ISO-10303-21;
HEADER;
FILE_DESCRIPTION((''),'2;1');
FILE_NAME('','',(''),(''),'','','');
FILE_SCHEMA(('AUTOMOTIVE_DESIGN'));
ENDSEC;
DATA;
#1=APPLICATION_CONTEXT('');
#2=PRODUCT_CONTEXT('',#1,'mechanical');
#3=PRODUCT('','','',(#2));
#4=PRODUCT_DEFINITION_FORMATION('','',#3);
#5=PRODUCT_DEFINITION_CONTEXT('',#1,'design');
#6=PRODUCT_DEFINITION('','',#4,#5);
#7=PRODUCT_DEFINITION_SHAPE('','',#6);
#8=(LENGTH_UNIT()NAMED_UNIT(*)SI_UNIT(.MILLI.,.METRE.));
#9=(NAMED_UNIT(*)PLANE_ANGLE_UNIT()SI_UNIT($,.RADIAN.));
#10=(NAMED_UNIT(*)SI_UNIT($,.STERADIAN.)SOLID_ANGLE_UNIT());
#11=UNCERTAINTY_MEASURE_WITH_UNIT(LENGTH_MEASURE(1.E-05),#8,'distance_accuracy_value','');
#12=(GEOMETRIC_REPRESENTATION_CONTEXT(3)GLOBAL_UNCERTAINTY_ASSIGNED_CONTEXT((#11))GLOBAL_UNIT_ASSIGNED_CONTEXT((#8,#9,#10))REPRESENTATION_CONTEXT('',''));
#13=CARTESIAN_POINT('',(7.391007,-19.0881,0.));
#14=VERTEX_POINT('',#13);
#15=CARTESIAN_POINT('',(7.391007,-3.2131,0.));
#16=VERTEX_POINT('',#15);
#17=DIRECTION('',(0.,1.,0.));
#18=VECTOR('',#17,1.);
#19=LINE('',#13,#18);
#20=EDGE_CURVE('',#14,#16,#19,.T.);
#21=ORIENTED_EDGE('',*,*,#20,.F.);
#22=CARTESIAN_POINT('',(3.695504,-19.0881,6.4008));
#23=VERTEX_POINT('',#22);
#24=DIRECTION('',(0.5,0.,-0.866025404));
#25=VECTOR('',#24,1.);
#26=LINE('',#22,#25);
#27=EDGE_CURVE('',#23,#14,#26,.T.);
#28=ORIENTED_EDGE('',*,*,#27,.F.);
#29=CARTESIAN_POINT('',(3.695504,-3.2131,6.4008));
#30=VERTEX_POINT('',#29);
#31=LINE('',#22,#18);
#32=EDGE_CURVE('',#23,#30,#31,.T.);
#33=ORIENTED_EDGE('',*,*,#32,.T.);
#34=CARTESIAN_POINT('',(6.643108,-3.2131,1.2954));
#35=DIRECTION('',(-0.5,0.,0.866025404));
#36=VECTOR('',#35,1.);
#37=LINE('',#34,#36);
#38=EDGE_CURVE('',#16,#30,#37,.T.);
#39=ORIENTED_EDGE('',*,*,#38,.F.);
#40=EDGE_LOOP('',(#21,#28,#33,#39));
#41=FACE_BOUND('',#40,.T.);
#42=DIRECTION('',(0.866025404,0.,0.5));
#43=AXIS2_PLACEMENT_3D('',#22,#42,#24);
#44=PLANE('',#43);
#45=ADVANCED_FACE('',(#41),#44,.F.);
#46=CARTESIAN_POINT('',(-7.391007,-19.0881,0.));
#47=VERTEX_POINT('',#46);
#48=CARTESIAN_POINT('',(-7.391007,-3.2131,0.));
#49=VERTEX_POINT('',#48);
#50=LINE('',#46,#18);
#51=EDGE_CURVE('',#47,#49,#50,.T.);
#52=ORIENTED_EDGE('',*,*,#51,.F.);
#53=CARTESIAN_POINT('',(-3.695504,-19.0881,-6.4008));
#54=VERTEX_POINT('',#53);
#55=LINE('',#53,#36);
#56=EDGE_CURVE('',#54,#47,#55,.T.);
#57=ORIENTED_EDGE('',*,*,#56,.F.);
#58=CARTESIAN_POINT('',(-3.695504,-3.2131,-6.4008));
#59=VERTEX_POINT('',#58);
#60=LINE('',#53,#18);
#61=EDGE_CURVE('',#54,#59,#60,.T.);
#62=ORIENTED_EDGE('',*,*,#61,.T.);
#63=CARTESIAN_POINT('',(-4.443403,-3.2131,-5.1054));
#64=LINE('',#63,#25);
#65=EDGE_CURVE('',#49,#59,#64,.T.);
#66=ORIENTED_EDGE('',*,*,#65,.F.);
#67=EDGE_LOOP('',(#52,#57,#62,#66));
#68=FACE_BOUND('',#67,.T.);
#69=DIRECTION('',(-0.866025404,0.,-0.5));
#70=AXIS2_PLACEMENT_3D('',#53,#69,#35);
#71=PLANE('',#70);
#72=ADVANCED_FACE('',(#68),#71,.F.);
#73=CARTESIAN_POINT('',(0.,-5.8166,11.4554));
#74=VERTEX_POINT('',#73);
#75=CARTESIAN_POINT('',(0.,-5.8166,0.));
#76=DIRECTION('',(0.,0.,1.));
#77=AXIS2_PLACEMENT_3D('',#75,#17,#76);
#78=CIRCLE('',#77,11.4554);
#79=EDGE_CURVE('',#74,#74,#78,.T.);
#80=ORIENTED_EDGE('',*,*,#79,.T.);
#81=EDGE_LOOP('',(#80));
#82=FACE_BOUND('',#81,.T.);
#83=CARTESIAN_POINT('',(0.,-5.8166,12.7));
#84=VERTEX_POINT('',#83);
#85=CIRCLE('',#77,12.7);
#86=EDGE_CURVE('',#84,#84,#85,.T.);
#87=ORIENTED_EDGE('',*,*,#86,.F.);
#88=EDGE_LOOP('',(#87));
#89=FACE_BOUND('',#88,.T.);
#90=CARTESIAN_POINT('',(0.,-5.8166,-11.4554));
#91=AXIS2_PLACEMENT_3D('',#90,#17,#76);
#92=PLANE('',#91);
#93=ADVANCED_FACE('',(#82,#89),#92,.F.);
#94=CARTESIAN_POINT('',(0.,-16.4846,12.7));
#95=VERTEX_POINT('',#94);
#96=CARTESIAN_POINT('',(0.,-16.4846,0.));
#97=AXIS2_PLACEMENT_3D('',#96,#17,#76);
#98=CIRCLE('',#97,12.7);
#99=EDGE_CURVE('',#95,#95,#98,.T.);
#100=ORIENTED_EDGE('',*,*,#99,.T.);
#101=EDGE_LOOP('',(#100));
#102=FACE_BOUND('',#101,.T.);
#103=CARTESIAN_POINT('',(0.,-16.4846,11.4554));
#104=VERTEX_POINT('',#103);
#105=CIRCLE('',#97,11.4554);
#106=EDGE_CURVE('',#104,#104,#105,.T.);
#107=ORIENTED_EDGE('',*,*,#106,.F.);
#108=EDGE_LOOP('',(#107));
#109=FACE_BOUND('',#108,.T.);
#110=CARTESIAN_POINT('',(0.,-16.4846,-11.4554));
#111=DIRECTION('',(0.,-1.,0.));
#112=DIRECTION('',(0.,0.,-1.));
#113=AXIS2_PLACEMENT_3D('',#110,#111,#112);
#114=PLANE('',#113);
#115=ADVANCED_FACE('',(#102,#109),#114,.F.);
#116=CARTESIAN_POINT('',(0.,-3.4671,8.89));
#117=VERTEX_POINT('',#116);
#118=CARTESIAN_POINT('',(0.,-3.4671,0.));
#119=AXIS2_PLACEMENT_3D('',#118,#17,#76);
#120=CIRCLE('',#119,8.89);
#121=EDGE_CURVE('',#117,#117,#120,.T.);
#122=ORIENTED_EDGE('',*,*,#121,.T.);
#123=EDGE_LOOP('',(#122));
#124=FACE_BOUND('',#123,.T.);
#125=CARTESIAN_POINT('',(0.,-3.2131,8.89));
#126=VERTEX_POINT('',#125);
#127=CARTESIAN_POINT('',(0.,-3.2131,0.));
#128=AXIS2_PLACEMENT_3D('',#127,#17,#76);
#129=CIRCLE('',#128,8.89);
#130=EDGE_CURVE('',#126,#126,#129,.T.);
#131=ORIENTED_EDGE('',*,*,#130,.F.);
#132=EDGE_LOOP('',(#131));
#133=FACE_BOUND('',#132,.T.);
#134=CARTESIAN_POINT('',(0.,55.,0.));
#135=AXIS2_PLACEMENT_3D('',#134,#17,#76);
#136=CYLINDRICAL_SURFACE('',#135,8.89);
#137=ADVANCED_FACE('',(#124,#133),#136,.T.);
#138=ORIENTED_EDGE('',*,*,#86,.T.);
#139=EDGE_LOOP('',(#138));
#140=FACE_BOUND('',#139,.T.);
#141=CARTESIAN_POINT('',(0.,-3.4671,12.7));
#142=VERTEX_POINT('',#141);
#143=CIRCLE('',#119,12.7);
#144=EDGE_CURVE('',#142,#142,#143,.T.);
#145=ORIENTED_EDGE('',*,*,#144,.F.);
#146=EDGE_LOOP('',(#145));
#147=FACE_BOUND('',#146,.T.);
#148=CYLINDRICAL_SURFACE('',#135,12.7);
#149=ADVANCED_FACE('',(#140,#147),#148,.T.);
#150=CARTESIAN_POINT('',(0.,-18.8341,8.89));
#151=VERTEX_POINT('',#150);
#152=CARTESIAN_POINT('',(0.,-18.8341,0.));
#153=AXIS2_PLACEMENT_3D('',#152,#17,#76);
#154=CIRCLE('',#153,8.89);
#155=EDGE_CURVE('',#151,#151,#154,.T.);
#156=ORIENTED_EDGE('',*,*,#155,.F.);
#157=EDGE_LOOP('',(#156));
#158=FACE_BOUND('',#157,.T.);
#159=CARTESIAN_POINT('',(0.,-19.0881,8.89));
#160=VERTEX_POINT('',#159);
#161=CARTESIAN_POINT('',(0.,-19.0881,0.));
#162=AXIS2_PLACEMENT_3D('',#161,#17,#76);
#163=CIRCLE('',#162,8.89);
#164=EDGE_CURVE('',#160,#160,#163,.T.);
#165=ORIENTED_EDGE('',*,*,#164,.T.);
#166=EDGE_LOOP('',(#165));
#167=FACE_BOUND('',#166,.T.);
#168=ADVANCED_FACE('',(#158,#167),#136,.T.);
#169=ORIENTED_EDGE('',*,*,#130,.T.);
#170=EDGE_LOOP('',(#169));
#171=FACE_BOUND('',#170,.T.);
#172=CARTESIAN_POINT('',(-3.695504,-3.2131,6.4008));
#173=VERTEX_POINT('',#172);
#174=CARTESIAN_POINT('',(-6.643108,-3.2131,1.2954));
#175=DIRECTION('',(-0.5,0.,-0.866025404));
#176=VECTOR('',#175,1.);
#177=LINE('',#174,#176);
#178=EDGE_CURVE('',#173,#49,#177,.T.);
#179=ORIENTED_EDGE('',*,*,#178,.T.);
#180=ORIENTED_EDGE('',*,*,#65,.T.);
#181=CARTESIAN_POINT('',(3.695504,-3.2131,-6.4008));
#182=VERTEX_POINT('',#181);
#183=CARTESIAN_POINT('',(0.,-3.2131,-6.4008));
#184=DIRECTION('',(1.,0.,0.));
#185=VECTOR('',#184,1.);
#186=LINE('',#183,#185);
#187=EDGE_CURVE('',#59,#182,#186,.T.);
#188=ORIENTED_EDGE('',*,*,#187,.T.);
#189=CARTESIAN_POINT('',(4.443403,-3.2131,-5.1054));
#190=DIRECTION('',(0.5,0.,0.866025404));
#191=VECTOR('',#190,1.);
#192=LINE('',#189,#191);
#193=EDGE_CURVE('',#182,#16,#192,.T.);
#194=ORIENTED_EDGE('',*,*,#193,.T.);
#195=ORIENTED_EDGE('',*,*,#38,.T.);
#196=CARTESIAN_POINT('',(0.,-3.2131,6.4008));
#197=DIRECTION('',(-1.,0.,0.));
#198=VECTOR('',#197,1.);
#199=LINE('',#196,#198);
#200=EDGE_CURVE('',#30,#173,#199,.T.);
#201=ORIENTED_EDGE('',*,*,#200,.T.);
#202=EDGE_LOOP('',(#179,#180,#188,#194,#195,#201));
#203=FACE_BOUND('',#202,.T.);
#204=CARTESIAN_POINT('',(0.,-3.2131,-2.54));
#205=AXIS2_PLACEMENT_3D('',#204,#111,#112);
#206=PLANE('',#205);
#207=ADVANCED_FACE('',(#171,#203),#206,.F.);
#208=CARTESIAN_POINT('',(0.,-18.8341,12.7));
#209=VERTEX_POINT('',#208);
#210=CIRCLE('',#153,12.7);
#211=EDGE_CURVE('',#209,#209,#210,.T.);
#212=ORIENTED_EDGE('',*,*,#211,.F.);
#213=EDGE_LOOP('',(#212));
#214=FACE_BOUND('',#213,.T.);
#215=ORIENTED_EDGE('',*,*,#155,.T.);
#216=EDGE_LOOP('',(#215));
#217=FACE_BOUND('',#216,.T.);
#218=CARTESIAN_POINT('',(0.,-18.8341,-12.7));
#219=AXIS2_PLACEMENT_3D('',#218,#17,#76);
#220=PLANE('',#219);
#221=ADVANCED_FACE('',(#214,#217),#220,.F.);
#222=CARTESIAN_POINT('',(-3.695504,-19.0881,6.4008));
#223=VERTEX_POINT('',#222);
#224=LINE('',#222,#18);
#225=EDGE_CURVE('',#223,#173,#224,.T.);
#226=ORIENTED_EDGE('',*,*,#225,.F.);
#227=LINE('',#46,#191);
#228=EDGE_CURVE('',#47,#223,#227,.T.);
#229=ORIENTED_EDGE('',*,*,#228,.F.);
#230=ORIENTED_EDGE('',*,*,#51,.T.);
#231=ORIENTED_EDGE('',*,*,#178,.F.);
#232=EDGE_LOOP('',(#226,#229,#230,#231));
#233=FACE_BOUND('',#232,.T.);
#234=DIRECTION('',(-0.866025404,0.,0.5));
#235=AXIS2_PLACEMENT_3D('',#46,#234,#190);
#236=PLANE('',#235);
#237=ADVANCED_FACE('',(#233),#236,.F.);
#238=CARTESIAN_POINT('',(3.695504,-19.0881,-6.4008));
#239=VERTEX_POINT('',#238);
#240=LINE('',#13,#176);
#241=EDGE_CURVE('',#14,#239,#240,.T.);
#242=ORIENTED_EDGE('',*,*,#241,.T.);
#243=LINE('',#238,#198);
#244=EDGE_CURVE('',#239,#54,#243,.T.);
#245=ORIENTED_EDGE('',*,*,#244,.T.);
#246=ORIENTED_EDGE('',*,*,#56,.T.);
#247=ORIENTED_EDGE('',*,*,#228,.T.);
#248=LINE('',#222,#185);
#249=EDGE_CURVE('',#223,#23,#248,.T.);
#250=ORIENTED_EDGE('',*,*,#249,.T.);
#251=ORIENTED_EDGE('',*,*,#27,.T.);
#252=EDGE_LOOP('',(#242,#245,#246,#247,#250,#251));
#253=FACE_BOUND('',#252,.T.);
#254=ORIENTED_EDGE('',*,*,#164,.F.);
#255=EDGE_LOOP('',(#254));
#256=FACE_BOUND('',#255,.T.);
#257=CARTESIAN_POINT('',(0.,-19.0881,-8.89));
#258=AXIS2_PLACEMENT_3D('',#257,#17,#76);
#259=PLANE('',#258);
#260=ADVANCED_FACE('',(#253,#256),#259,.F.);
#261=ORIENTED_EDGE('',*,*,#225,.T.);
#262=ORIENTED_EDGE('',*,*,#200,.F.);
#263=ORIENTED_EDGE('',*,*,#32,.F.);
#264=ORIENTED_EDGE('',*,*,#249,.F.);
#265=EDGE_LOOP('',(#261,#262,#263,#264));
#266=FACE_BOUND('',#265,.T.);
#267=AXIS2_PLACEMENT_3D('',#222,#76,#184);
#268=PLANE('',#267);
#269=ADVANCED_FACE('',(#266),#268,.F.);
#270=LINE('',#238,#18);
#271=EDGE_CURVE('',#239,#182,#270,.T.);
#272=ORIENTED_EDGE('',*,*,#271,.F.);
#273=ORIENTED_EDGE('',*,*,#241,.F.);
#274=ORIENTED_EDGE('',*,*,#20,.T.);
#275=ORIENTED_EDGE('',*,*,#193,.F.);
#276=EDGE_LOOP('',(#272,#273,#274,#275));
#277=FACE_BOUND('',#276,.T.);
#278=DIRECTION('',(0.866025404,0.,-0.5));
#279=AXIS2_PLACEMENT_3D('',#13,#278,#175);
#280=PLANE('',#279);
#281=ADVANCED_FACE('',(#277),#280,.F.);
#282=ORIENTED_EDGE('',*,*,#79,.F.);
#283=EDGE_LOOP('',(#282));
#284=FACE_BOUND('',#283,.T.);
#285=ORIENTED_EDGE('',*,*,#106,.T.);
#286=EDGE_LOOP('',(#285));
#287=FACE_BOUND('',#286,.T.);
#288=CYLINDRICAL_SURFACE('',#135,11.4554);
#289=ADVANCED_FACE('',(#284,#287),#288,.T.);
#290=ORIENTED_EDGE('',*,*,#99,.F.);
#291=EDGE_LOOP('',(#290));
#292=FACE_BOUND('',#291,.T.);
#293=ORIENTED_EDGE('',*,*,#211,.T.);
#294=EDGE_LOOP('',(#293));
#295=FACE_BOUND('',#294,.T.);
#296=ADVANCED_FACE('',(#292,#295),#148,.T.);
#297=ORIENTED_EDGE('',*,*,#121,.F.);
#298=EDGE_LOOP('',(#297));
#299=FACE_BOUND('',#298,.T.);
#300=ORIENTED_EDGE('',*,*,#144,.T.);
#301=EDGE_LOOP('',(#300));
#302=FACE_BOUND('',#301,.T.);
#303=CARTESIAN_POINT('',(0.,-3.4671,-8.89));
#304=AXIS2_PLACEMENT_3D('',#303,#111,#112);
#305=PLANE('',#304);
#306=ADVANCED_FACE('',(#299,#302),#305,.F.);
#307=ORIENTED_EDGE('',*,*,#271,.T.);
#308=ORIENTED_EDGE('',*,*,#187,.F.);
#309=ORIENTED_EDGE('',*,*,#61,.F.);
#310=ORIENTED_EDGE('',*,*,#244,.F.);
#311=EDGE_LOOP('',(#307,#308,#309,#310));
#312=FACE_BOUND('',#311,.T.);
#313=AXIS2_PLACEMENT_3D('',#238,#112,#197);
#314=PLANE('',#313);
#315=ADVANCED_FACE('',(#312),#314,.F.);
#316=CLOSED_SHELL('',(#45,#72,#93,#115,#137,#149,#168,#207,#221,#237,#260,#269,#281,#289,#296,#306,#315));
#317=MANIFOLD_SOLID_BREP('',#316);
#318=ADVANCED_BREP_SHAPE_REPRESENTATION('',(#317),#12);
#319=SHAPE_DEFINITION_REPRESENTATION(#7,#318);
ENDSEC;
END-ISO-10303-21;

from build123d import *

# Parameters (mm, degrees)
CUT_EXTRUDE1_DEPTH      = 1
CUT_EXTRUDE1_DEPTH_BACK = 16.875


with BuildPart() as part:
    # Sketch2 → Revolve1 (revolve)
    with BuildSketch(Plane(origin=(0, 0, 0), x_dir=(0, 0, -1), z_dir=(1, 0, 0))):
        Polygon((2.54, -3.2131), (8.89, -3.2131), (8.89, -3.4671), (12.7, -3.4671), (12.7, -5.8166), (11.4554, -5.8166), (11.4554, -16.4846), (12.7, -16.4846), (12.7, -18.8341), (8.89, -18.8341), (8.89, -19.0881), (2.54, -19.0881), align=None)
    revolve(axis=Axis((0, 55, 0), (0, -1, 0)))

    # Sketch3 → Cut-Extrude1 (cut, two sides)
    with BuildSketch(Plane(origin=(0, -3.2131, 0), x_dir=(1, 0, 0), z_dir=(0, 1, 0))) as cut_extrude1_sk:
        Polygon((3.695503603, 6.4008), (-3.695503603, 6.4008), (-7.391007206, 0), (-3.695503603, -6.4008), (3.695503603, -6.4008), (7.391007206, 0), align=None)
    extrude(amount=CUT_EXTRUDE1_DEPTH, mode=Mode.SUBTRACT)
    extrude(cut_extrude1_sk.sketch, amount=-CUT_EXTRUDE1_DEPTH_BACK, mode=Mode.SUBTRACT)


solid = part.part
